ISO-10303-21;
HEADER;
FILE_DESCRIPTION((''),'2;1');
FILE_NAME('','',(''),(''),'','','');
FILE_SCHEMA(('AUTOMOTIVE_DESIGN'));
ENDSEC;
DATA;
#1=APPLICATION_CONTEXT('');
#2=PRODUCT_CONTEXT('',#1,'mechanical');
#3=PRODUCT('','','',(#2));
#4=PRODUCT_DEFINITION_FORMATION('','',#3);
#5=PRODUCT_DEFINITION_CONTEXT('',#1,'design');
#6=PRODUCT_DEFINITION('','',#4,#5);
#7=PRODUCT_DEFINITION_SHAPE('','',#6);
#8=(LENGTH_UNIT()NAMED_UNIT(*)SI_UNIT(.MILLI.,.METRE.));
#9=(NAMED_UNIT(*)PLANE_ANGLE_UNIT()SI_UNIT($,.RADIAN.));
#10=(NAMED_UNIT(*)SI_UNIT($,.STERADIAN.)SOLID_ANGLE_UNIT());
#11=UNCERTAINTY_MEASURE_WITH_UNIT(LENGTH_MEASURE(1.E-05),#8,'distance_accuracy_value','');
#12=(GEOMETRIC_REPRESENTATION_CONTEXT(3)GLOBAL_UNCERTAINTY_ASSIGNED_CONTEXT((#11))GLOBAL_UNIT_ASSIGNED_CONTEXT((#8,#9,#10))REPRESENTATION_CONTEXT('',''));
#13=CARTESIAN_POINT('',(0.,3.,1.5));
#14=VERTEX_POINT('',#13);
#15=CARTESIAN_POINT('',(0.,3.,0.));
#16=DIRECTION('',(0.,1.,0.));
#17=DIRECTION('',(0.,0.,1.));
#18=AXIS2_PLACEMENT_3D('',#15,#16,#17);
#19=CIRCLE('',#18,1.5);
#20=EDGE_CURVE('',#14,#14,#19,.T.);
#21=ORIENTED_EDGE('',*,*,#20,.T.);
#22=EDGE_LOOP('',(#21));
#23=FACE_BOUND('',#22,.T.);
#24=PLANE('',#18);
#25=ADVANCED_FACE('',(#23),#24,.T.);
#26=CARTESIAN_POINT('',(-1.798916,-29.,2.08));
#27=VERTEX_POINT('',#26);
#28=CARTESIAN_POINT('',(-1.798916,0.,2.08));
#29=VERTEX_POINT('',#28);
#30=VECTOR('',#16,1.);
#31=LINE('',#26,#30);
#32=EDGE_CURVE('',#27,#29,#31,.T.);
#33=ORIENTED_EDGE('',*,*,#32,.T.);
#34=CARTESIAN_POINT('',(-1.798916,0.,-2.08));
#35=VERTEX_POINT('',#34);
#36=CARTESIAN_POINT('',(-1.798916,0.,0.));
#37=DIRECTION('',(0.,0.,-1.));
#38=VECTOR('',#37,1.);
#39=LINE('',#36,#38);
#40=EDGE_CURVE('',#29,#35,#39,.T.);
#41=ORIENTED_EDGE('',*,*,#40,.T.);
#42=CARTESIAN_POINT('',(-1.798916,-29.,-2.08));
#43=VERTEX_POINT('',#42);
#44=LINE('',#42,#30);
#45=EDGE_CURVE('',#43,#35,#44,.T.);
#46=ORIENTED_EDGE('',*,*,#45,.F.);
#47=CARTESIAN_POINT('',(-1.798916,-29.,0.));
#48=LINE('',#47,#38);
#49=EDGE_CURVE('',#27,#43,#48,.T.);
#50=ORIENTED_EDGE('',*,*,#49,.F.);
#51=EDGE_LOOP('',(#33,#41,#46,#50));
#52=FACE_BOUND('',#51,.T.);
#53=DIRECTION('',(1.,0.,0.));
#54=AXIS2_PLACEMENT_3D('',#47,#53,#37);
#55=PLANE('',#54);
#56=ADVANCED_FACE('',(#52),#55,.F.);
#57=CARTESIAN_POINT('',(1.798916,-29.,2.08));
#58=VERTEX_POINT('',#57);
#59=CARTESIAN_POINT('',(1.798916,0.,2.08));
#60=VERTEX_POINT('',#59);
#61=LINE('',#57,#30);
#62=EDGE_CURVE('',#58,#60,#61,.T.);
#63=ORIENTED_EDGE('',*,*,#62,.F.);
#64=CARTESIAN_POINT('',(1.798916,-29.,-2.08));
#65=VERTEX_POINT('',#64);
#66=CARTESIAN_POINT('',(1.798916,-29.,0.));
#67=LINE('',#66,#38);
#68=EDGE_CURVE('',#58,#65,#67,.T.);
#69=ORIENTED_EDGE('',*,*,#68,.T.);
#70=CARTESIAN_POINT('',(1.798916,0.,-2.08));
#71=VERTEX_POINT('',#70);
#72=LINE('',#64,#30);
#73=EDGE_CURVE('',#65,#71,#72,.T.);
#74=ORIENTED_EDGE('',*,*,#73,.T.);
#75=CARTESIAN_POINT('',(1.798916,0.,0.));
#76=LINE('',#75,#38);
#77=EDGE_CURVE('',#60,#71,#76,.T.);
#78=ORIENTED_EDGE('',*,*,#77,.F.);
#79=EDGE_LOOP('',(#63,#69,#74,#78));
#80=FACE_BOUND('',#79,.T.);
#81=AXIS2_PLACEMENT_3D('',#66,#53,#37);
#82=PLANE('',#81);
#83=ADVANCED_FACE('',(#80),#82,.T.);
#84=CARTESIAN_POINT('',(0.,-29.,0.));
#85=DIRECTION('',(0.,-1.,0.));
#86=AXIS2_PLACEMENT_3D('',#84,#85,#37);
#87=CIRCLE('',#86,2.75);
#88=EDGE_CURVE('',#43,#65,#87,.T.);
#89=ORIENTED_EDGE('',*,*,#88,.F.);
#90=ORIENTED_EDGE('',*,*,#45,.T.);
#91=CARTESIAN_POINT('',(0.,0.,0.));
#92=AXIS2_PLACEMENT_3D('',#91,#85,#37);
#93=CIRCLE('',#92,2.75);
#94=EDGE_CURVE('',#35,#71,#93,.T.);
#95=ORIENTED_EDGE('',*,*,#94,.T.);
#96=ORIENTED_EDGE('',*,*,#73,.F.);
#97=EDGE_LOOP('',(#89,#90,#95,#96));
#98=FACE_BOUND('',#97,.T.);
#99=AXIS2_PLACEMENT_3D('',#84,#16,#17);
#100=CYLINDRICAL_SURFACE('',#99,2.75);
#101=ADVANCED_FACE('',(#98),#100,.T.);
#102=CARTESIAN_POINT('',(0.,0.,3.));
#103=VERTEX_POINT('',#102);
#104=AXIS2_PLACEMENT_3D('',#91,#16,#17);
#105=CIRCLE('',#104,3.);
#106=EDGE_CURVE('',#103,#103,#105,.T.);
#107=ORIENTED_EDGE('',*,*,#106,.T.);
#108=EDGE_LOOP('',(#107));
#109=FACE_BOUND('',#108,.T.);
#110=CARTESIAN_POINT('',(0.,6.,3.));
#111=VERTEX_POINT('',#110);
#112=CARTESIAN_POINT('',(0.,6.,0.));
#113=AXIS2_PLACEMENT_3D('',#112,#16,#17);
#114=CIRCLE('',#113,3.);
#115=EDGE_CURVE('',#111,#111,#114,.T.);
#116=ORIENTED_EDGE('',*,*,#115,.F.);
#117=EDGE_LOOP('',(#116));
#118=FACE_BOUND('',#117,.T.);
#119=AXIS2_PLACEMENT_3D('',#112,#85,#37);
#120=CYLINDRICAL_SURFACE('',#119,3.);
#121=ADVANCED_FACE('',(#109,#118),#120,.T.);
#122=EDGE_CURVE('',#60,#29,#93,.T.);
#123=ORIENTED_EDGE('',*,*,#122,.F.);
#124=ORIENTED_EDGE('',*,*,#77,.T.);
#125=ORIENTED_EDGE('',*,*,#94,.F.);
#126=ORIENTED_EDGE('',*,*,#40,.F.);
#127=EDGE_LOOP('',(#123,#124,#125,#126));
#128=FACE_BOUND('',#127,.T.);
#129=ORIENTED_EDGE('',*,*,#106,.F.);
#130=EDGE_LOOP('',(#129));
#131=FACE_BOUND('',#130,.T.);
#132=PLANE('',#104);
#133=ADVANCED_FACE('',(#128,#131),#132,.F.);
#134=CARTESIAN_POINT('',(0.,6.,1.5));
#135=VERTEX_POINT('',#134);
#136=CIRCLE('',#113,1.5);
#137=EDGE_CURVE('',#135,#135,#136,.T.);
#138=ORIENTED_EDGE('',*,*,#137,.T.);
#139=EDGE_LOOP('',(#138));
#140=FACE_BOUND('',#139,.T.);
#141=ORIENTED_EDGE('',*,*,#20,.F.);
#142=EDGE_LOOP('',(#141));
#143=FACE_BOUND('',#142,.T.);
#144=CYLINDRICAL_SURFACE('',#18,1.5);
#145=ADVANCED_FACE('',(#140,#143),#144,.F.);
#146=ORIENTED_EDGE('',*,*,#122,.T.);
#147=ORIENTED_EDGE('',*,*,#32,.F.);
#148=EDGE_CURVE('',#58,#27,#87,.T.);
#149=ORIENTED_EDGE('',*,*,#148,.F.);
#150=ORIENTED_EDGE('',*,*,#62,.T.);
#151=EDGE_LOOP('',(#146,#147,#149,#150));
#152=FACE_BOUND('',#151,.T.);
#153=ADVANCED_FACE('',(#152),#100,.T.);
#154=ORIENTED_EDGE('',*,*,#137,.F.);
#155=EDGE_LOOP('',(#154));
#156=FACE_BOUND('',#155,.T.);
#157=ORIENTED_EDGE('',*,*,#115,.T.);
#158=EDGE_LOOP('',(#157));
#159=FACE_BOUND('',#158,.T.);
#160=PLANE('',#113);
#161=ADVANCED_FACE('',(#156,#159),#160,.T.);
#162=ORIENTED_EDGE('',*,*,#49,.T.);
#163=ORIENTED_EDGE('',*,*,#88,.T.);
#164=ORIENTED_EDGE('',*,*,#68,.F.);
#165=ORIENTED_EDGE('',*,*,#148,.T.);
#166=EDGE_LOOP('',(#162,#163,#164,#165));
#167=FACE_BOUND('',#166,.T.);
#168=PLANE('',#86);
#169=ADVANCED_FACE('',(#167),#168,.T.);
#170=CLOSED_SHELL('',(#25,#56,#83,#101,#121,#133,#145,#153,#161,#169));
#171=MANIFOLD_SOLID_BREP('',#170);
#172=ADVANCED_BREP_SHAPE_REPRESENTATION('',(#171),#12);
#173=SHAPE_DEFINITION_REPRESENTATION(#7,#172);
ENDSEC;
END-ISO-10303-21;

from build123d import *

# Parameters (mm, degrees)
IZIM2_R                     = 3
Y_KSEKLIK_EKSTR_ZYON1_DEPTH = 6
IZIM3_R                     = 1.5
KES_EKSTR_ZYON1_DEPTH       = 3
Y_KSEKLIK_EKSTR_ZYON2_DEPTH = 29


with BuildPart() as part:
    # Çizim2 → Yükseklik-Ekstrüzyon1 (new body)
    with BuildSketch(Plane(origin=(0, 0, 0), x_dir=(1, 0, 0), z_dir=(0, 1, 0))):
        with Locations(Location((0, 0, 0), (0, 0, 270))):
            Circle(IZIM2_R)
    extrude(amount=Y_KSEKLIK_EKSTR_ZYON1_DEPTH)

    # Çizim3 → Kes-Ekstrüzyon1 (cut)
    with BuildSketch(Plane(origin=(0, 6, 0), x_dir=(1, 0, 0), z_dir=(0, 1, 0))):
        with Locations(Location((0, 0, 0), (0, 0, 270))):
            Circle(IZIM3_R)
    extrude(amount=-KES_EKSTR_ZYON1_DEPTH, mode=Mode.SUBTRACT)

    # Çizim4 → Yükseklik-Ekstrüzyon2 (add)
    with BuildSketch(Plane.XZ):
        with BuildLine():
            ThreePointArc((1.79891634, 2.08), (0, 2.75), (-1.79891634, 2.08))
            Line((-1.79891634, 2.08), (-1.79891634, -2.08))
            ThreePointArc((-1.79891634, -2.08), (0, -2.75), (1.79891634, -2.08))
            Line((1.79891634, -2.08), (1.79891634, 2.08))
        make_face()
    extrude(amount=Y_KSEKLIK_EKSTR_ZYON2_DEPTH)


solid = part.part
